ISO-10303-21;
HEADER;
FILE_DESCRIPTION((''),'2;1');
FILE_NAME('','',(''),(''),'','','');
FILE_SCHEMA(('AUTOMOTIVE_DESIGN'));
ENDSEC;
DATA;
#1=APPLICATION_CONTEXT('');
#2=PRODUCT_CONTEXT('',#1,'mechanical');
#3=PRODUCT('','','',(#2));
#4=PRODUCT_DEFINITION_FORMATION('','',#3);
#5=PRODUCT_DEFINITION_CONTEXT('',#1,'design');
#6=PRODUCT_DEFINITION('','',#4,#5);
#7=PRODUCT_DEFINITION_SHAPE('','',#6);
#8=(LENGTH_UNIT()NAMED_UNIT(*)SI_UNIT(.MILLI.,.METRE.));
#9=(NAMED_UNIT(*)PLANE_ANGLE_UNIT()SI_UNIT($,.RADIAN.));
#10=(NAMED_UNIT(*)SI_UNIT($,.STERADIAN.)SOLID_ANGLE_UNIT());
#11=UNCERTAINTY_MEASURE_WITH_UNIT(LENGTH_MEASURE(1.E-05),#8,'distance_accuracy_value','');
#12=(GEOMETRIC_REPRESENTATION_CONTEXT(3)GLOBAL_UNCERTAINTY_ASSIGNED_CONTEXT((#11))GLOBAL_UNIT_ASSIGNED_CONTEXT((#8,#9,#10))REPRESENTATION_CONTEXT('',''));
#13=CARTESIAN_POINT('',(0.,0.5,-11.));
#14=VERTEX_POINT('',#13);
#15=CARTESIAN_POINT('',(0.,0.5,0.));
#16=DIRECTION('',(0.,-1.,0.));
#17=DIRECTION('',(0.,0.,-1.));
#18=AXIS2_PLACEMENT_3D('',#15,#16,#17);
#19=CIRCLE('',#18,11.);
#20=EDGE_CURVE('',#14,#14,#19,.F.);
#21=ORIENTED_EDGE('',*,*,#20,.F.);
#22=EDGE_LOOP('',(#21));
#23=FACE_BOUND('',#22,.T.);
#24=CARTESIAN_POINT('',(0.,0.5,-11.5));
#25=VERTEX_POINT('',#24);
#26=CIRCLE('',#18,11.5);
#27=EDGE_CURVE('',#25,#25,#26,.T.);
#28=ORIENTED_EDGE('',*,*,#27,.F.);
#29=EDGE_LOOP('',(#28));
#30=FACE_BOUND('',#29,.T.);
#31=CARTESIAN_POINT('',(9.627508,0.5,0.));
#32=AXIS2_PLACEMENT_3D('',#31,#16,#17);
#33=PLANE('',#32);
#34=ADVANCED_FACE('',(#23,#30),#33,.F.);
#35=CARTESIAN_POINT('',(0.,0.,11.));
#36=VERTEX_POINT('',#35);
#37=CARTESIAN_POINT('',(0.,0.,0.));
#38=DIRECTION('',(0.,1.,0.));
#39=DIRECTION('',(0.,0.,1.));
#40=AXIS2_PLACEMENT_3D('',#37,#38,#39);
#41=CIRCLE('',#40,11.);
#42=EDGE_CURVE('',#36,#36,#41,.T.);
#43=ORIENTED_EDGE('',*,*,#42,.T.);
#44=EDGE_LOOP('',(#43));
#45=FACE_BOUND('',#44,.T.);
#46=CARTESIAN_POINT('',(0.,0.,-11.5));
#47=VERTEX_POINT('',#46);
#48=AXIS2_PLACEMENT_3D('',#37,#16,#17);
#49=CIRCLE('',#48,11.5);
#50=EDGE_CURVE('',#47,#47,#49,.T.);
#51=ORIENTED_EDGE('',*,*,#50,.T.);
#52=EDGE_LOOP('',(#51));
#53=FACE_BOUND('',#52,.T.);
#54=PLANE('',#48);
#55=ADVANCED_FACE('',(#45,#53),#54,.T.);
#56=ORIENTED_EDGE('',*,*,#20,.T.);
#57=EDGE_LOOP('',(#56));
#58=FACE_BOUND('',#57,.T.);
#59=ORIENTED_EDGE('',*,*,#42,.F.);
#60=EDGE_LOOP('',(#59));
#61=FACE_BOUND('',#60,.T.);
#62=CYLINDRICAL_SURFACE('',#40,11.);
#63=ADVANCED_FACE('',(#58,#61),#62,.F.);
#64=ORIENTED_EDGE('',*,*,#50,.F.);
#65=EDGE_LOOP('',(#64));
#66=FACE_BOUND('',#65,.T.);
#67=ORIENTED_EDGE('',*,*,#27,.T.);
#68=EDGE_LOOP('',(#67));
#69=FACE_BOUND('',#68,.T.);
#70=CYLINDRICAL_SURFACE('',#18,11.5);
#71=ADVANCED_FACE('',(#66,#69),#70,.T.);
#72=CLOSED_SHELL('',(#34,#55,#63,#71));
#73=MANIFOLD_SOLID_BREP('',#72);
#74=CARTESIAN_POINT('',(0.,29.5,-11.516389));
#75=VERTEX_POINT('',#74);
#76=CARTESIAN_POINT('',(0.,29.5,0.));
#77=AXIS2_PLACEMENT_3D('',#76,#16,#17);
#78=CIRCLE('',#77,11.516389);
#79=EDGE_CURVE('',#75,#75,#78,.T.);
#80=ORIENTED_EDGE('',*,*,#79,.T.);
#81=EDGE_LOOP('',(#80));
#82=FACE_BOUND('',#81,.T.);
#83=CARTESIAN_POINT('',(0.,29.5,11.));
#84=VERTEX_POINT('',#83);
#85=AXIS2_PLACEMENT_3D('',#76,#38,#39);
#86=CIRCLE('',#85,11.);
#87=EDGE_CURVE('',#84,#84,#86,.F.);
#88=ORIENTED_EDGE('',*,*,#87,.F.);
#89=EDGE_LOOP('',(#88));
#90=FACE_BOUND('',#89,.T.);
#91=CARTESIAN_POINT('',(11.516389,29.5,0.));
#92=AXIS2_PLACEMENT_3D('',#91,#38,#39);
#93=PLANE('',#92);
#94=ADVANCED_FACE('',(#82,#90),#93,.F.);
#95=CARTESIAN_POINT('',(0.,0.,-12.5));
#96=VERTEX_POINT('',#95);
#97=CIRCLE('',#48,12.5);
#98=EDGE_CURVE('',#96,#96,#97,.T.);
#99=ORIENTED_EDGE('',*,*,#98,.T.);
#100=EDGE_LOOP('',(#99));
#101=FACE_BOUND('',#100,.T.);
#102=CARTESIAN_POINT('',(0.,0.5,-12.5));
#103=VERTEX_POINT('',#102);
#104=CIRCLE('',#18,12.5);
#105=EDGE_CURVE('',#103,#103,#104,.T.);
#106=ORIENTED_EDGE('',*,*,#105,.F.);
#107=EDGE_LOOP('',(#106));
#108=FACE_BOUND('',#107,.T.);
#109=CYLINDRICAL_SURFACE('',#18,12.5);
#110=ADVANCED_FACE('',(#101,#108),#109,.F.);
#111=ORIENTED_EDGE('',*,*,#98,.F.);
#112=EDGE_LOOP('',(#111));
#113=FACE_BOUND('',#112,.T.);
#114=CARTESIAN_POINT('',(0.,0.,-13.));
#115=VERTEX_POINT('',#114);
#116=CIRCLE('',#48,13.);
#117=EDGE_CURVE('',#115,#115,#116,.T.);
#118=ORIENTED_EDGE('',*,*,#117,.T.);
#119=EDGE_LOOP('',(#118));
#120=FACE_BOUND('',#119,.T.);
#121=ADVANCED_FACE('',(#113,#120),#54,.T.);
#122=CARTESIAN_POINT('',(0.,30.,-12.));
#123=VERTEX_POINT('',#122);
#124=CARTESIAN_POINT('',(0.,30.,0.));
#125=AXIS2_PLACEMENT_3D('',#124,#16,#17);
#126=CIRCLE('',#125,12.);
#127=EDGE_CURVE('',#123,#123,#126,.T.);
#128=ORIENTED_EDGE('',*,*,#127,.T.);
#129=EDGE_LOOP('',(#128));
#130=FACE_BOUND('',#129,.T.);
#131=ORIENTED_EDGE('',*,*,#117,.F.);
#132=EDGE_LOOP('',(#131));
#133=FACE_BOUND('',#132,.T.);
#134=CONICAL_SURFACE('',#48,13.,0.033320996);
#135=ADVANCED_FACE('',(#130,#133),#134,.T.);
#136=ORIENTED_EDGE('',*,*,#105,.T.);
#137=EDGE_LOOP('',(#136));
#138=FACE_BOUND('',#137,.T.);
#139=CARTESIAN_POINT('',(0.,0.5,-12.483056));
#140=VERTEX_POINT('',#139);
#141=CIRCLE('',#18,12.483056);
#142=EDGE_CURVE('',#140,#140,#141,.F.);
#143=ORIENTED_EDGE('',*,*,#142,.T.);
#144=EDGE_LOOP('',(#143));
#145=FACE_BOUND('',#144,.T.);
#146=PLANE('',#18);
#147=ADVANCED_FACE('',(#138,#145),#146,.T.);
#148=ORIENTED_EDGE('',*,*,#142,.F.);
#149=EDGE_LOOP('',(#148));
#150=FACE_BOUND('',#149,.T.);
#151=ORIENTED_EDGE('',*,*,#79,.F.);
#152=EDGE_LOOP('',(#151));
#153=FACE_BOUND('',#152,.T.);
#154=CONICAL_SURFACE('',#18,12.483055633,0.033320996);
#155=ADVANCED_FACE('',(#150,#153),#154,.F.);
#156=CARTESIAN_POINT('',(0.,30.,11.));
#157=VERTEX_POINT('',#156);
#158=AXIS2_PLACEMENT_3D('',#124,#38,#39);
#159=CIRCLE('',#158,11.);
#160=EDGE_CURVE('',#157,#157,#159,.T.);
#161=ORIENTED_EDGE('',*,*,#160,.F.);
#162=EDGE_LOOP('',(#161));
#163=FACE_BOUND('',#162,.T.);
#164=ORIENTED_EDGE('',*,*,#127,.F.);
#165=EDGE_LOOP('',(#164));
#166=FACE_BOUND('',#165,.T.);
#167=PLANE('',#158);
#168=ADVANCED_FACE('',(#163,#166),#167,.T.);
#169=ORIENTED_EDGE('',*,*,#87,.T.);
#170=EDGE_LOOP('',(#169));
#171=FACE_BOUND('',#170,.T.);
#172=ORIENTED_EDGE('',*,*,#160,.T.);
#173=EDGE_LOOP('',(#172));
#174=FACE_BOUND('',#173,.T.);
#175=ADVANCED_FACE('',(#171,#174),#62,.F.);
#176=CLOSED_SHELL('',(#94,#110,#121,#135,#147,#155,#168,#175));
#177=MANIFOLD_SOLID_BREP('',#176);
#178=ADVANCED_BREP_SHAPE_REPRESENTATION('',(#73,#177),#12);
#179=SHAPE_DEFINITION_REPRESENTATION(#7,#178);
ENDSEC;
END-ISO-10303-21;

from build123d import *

# Parameters (mm, degrees)
SKETCH6_R          = 11
CUT_EXTRUDE1_DEPTH = 30
SKETCH8_R          = 12.5
SKETCH8_R_2        = 11.5
CUT_EXTRUDE3_DEPTH = 0.5


with BuildPart() as part:
    # Sketch3 → Revolve1 (revolve)
    with BuildSketch(Plane.XY):
        Polygon((0, 0), (13, 0), (12, 30), (0, 30), align=None)
    revolve(axis=Axis((0, 0, 0), (0, 1, 0)))

    # Sketch6 → Cut-Extrude1 (cut)
    with BuildSketch(Plane(origin=(0, 30, 0), x_dir=(1, 0, 0), z_dir=(0, 1, 0))):
        Circle(SKETCH6_R)
    extrude(amount=-CUT_EXTRUDE1_DEPTH, mode=Mode.SUBTRACT)

    # Sketch7 → Cut-Revolve1 (revolve, cut)
    with BuildSketch(Plane.XY):
        Polygon((8.985599586, 29.5), (9.627507592, 0.5), (12.483055633, 0.5), (11.516388966, 29.5), align=None)
    revolve(axis=Axis((0, 0, 0), (0, 1, 0)), mode=Mode.SUBTRACT)

    # Sketch8 → Cut-Extrude3 (cut)
    with BuildSketch(Plane(origin=(0, 0, 0), x_dir=(-1, 0, 0), z_dir=(0, -1, 0))):
        Circle(SKETCH8_R)
        Circle(SKETCH8_R_2, mode=Mode.SUBTRACT)
    extrude(amount=-CUT_EXTRUDE3_DEPTH, mode=Mode.SUBTRACT)


solid = part.part
